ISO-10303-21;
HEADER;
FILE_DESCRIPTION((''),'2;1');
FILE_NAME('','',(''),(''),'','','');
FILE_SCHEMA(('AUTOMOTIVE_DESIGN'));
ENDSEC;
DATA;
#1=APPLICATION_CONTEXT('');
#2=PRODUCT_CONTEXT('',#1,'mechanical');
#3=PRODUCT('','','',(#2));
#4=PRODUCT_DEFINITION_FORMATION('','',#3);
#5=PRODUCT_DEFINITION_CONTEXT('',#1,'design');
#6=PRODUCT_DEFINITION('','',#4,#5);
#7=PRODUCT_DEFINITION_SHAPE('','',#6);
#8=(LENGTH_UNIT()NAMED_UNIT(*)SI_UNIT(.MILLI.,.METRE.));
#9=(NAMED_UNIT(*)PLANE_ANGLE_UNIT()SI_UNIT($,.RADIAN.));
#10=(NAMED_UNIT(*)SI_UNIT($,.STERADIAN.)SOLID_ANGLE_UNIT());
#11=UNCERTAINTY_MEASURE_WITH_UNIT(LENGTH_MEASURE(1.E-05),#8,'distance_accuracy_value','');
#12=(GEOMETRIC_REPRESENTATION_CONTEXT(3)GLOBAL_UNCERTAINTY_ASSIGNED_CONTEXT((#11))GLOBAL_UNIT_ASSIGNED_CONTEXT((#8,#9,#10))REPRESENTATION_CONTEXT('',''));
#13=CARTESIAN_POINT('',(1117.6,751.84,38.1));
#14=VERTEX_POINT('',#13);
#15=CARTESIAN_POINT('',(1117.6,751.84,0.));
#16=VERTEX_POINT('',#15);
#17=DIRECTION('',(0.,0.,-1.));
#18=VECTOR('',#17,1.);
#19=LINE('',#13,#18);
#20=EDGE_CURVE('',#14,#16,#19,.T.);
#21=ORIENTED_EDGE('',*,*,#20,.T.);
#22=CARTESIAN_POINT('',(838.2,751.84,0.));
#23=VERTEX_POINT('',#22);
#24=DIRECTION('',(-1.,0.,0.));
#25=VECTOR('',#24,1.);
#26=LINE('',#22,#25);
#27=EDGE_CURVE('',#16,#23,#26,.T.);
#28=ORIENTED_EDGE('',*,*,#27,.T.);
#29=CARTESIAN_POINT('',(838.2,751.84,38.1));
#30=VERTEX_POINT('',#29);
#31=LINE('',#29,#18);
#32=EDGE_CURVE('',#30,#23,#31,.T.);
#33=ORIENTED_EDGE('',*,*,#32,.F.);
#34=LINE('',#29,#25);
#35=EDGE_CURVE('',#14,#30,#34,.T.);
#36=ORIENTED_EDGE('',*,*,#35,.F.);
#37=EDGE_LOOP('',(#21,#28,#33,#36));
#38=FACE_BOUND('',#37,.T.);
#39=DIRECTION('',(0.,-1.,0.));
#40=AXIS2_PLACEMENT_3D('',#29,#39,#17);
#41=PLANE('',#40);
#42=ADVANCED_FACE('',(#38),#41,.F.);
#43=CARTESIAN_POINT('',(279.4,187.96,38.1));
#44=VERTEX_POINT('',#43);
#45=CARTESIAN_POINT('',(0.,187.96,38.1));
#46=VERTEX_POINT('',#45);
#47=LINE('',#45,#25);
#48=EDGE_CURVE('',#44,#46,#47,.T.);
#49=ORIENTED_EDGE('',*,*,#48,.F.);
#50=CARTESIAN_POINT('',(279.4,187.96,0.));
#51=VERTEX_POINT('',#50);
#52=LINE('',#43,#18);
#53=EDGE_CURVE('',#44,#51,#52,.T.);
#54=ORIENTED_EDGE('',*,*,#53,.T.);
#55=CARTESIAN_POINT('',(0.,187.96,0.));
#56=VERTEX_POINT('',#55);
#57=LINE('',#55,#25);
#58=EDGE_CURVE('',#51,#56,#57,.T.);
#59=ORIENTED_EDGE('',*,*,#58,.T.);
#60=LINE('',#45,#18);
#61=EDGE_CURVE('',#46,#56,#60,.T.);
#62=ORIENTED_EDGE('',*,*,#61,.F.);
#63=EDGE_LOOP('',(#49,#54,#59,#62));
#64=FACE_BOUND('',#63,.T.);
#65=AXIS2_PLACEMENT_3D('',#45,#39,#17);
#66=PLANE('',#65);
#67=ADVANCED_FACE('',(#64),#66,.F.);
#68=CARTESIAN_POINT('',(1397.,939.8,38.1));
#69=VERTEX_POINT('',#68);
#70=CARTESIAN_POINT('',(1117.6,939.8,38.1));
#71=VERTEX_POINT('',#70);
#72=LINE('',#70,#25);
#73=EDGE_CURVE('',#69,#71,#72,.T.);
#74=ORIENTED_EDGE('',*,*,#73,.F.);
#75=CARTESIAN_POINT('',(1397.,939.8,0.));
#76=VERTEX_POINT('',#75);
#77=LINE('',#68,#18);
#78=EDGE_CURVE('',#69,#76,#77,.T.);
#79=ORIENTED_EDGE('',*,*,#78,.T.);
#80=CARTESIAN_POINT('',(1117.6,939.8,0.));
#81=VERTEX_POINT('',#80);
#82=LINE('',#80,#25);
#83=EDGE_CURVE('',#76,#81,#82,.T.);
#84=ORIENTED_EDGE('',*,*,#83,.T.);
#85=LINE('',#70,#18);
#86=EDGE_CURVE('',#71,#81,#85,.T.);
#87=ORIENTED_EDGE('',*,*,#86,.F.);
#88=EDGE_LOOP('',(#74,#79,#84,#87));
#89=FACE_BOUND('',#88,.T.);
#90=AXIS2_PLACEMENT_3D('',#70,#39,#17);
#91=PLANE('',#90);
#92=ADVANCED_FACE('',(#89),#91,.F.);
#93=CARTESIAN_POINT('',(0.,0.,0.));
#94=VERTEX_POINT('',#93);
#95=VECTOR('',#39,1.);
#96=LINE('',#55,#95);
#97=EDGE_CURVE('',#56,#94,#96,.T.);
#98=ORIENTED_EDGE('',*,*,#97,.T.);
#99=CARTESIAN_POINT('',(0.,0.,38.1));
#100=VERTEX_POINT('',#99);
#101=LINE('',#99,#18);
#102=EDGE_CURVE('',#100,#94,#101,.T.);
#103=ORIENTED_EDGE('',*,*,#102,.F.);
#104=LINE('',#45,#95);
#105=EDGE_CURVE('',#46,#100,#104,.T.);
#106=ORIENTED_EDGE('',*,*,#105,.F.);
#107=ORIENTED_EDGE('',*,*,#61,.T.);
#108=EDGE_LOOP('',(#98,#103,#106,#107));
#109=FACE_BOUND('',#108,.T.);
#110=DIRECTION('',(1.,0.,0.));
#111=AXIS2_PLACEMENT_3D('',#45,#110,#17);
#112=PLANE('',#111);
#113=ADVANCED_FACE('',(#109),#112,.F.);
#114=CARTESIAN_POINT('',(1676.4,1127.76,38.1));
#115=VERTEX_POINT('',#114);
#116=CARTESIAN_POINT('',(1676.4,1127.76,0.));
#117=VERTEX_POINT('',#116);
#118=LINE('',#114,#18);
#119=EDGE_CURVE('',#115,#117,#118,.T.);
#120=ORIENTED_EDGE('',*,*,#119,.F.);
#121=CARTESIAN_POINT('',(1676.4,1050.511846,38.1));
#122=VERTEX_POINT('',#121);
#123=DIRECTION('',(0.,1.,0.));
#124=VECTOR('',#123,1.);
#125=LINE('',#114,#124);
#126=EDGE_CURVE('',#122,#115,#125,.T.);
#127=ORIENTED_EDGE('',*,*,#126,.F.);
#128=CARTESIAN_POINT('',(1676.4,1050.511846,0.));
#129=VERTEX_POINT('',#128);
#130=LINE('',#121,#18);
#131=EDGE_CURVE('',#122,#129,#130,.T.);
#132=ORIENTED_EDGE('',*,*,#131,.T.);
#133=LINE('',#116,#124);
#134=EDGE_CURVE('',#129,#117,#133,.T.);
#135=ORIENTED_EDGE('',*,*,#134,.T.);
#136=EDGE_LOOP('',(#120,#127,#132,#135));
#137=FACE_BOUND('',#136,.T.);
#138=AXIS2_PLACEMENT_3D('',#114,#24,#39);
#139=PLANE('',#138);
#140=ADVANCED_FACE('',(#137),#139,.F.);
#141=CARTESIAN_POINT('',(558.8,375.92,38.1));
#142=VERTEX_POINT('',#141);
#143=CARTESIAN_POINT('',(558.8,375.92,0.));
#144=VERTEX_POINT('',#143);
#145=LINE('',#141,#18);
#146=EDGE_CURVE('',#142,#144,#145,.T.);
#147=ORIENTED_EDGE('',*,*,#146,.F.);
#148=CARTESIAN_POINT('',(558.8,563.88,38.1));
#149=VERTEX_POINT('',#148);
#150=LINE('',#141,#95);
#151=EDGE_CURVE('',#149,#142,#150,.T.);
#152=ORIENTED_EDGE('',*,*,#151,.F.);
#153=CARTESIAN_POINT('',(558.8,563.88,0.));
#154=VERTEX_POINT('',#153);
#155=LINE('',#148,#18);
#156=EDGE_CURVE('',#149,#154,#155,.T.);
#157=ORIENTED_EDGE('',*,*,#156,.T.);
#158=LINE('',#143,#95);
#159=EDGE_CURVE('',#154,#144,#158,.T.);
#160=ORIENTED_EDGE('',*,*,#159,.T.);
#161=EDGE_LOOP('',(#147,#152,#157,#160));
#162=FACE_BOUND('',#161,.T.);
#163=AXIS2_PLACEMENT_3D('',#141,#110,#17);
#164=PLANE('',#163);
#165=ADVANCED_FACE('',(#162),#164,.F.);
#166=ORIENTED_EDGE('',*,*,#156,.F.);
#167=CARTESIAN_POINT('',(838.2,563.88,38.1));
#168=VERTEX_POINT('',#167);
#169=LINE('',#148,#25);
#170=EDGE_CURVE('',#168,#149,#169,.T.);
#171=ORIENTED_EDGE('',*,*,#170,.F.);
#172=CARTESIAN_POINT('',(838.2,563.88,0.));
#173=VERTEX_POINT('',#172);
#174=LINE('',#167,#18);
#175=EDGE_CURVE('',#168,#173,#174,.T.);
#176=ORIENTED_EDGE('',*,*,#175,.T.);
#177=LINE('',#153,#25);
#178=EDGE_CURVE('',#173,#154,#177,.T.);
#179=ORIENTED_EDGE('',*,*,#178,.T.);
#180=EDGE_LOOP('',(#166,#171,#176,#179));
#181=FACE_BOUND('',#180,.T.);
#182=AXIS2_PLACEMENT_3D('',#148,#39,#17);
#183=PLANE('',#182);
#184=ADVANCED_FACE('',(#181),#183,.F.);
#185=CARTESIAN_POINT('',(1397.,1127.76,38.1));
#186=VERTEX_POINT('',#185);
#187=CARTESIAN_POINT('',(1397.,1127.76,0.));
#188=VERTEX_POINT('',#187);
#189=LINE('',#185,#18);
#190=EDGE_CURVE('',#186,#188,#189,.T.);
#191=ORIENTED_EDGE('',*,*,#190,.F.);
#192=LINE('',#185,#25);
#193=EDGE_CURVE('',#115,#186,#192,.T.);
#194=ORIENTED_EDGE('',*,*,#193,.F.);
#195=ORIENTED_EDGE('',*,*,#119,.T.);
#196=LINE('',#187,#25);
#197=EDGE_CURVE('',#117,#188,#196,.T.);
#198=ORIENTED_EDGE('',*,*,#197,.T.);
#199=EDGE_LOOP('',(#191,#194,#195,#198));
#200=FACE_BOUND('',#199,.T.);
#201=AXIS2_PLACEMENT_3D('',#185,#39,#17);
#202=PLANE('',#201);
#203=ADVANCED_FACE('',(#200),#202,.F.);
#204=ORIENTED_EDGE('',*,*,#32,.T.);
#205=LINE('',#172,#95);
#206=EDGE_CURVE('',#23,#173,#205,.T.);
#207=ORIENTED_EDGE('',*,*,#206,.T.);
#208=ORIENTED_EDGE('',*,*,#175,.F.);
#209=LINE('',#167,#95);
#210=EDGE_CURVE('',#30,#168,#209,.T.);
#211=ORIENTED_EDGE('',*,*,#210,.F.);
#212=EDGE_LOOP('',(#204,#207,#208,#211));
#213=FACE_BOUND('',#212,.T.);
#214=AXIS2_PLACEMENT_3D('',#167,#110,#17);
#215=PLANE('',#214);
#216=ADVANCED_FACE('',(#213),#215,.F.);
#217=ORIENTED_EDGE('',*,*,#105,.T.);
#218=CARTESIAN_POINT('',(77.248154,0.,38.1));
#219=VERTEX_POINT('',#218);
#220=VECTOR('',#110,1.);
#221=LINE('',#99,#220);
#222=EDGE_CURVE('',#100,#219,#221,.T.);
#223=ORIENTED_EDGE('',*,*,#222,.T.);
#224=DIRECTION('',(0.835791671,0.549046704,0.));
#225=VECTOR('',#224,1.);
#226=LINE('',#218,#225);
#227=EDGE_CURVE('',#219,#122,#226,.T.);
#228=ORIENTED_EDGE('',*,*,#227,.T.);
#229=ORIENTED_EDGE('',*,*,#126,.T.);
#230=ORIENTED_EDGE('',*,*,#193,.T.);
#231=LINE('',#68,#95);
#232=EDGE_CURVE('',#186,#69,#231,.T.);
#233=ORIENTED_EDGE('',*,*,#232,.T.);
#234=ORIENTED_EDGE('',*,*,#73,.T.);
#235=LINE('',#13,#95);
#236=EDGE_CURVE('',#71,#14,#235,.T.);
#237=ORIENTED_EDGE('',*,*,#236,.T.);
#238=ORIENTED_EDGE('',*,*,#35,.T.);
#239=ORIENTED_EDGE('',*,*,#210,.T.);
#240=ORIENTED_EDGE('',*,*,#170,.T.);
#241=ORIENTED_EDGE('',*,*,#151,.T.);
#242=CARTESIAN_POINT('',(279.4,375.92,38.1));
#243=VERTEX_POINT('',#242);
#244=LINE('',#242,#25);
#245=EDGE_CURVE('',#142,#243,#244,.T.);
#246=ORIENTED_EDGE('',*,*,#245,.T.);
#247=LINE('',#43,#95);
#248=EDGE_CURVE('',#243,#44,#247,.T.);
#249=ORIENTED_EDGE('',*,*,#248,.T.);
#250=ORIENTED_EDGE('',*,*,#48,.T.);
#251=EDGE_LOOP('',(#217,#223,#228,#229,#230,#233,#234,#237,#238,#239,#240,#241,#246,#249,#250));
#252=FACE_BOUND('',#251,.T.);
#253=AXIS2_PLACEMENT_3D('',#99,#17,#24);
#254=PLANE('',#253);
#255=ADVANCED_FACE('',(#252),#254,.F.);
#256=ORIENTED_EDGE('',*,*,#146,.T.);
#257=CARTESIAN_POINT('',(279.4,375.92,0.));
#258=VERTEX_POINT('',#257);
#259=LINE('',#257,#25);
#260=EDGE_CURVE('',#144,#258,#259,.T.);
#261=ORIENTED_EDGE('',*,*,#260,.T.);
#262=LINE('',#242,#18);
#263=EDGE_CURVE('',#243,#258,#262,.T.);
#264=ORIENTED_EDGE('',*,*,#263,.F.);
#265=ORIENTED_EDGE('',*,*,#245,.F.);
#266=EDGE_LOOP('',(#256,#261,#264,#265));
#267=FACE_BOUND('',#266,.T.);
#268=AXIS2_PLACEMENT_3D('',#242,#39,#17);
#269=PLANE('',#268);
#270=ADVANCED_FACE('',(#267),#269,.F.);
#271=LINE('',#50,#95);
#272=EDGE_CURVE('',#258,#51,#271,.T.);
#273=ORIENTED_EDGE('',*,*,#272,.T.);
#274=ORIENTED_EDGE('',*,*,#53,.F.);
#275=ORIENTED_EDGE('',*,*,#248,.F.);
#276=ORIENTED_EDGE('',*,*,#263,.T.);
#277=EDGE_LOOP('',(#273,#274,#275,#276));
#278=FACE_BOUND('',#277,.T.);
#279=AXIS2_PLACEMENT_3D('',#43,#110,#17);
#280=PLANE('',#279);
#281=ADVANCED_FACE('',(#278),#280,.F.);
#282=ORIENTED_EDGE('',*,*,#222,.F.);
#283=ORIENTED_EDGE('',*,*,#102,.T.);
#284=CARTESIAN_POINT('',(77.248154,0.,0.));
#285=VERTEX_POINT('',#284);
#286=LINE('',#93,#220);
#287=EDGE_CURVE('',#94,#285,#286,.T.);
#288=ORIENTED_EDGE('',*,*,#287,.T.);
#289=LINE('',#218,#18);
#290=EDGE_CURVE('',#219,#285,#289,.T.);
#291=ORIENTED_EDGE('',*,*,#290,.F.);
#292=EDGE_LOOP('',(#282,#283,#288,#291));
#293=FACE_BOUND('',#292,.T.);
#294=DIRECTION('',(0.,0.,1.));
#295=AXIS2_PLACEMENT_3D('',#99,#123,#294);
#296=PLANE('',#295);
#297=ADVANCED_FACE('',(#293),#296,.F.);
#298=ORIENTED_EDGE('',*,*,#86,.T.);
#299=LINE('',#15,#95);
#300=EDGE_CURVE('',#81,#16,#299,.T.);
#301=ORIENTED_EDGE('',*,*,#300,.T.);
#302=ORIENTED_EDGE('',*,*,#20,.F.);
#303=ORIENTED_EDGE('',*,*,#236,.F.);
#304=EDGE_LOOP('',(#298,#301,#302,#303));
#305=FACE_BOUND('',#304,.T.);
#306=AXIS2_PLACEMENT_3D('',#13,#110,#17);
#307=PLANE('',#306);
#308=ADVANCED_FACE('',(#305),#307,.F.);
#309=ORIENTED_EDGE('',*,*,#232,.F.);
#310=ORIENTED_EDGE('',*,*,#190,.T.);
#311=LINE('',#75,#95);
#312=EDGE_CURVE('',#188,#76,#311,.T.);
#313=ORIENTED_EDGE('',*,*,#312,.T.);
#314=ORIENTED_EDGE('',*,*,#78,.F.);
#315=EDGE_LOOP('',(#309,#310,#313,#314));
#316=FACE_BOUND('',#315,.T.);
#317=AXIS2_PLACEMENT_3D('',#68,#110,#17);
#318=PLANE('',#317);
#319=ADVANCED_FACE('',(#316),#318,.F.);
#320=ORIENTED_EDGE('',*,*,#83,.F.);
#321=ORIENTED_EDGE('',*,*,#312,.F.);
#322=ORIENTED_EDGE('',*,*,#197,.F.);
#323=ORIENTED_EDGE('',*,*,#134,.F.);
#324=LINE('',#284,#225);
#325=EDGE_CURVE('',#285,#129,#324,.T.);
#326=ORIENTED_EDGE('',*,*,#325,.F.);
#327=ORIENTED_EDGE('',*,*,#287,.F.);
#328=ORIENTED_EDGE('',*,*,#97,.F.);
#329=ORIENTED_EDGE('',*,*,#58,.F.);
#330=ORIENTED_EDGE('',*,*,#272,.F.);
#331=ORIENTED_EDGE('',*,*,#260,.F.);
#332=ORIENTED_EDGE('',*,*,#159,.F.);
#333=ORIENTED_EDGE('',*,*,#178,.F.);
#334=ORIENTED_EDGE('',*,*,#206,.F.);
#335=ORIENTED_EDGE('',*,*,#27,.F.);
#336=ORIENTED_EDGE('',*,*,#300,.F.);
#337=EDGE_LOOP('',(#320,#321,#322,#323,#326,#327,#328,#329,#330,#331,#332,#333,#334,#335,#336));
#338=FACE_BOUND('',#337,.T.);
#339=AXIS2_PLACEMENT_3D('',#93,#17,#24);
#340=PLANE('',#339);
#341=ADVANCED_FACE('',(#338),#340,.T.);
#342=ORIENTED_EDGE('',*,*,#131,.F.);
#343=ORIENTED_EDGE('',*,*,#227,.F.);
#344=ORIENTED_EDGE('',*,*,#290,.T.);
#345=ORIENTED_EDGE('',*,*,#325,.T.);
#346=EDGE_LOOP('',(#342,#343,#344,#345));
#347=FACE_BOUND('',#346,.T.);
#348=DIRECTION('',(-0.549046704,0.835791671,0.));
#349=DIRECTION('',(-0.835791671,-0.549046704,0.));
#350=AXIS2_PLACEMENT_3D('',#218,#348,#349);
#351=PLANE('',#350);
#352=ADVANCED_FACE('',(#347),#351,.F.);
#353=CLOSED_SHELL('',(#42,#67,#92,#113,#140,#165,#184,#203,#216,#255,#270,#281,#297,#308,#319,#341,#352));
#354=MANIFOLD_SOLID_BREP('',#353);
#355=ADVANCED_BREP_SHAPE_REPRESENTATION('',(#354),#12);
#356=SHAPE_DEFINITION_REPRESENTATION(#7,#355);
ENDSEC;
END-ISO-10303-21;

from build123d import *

# Parameters (mm, degrees)
BOSS_EXTRUDE1_DEPTH = 38.1


with BuildPart() as part:
    # Sketch1 → Boss-Extrude1 (new body)
    with BuildSketch(Plane.XY):
        Polygon((0, 187.96), (0, 0), (77.248154039, 0), (1676.4, 1050.511845961), (1676.4, 1127.76), (1397, 1127.76), (1397, 939.8), (1117.6, 939.8), (1117.6, 751.84), (838.2, 751.84), (838.2, 563.88), (558.8, 563.88), (558.8, 375.92), (279.4, 375.92), (279.4, 187.96), align=None)
    extrude(amount=BOSS_EXTRUDE1_DEPTH)


solid = part.part
